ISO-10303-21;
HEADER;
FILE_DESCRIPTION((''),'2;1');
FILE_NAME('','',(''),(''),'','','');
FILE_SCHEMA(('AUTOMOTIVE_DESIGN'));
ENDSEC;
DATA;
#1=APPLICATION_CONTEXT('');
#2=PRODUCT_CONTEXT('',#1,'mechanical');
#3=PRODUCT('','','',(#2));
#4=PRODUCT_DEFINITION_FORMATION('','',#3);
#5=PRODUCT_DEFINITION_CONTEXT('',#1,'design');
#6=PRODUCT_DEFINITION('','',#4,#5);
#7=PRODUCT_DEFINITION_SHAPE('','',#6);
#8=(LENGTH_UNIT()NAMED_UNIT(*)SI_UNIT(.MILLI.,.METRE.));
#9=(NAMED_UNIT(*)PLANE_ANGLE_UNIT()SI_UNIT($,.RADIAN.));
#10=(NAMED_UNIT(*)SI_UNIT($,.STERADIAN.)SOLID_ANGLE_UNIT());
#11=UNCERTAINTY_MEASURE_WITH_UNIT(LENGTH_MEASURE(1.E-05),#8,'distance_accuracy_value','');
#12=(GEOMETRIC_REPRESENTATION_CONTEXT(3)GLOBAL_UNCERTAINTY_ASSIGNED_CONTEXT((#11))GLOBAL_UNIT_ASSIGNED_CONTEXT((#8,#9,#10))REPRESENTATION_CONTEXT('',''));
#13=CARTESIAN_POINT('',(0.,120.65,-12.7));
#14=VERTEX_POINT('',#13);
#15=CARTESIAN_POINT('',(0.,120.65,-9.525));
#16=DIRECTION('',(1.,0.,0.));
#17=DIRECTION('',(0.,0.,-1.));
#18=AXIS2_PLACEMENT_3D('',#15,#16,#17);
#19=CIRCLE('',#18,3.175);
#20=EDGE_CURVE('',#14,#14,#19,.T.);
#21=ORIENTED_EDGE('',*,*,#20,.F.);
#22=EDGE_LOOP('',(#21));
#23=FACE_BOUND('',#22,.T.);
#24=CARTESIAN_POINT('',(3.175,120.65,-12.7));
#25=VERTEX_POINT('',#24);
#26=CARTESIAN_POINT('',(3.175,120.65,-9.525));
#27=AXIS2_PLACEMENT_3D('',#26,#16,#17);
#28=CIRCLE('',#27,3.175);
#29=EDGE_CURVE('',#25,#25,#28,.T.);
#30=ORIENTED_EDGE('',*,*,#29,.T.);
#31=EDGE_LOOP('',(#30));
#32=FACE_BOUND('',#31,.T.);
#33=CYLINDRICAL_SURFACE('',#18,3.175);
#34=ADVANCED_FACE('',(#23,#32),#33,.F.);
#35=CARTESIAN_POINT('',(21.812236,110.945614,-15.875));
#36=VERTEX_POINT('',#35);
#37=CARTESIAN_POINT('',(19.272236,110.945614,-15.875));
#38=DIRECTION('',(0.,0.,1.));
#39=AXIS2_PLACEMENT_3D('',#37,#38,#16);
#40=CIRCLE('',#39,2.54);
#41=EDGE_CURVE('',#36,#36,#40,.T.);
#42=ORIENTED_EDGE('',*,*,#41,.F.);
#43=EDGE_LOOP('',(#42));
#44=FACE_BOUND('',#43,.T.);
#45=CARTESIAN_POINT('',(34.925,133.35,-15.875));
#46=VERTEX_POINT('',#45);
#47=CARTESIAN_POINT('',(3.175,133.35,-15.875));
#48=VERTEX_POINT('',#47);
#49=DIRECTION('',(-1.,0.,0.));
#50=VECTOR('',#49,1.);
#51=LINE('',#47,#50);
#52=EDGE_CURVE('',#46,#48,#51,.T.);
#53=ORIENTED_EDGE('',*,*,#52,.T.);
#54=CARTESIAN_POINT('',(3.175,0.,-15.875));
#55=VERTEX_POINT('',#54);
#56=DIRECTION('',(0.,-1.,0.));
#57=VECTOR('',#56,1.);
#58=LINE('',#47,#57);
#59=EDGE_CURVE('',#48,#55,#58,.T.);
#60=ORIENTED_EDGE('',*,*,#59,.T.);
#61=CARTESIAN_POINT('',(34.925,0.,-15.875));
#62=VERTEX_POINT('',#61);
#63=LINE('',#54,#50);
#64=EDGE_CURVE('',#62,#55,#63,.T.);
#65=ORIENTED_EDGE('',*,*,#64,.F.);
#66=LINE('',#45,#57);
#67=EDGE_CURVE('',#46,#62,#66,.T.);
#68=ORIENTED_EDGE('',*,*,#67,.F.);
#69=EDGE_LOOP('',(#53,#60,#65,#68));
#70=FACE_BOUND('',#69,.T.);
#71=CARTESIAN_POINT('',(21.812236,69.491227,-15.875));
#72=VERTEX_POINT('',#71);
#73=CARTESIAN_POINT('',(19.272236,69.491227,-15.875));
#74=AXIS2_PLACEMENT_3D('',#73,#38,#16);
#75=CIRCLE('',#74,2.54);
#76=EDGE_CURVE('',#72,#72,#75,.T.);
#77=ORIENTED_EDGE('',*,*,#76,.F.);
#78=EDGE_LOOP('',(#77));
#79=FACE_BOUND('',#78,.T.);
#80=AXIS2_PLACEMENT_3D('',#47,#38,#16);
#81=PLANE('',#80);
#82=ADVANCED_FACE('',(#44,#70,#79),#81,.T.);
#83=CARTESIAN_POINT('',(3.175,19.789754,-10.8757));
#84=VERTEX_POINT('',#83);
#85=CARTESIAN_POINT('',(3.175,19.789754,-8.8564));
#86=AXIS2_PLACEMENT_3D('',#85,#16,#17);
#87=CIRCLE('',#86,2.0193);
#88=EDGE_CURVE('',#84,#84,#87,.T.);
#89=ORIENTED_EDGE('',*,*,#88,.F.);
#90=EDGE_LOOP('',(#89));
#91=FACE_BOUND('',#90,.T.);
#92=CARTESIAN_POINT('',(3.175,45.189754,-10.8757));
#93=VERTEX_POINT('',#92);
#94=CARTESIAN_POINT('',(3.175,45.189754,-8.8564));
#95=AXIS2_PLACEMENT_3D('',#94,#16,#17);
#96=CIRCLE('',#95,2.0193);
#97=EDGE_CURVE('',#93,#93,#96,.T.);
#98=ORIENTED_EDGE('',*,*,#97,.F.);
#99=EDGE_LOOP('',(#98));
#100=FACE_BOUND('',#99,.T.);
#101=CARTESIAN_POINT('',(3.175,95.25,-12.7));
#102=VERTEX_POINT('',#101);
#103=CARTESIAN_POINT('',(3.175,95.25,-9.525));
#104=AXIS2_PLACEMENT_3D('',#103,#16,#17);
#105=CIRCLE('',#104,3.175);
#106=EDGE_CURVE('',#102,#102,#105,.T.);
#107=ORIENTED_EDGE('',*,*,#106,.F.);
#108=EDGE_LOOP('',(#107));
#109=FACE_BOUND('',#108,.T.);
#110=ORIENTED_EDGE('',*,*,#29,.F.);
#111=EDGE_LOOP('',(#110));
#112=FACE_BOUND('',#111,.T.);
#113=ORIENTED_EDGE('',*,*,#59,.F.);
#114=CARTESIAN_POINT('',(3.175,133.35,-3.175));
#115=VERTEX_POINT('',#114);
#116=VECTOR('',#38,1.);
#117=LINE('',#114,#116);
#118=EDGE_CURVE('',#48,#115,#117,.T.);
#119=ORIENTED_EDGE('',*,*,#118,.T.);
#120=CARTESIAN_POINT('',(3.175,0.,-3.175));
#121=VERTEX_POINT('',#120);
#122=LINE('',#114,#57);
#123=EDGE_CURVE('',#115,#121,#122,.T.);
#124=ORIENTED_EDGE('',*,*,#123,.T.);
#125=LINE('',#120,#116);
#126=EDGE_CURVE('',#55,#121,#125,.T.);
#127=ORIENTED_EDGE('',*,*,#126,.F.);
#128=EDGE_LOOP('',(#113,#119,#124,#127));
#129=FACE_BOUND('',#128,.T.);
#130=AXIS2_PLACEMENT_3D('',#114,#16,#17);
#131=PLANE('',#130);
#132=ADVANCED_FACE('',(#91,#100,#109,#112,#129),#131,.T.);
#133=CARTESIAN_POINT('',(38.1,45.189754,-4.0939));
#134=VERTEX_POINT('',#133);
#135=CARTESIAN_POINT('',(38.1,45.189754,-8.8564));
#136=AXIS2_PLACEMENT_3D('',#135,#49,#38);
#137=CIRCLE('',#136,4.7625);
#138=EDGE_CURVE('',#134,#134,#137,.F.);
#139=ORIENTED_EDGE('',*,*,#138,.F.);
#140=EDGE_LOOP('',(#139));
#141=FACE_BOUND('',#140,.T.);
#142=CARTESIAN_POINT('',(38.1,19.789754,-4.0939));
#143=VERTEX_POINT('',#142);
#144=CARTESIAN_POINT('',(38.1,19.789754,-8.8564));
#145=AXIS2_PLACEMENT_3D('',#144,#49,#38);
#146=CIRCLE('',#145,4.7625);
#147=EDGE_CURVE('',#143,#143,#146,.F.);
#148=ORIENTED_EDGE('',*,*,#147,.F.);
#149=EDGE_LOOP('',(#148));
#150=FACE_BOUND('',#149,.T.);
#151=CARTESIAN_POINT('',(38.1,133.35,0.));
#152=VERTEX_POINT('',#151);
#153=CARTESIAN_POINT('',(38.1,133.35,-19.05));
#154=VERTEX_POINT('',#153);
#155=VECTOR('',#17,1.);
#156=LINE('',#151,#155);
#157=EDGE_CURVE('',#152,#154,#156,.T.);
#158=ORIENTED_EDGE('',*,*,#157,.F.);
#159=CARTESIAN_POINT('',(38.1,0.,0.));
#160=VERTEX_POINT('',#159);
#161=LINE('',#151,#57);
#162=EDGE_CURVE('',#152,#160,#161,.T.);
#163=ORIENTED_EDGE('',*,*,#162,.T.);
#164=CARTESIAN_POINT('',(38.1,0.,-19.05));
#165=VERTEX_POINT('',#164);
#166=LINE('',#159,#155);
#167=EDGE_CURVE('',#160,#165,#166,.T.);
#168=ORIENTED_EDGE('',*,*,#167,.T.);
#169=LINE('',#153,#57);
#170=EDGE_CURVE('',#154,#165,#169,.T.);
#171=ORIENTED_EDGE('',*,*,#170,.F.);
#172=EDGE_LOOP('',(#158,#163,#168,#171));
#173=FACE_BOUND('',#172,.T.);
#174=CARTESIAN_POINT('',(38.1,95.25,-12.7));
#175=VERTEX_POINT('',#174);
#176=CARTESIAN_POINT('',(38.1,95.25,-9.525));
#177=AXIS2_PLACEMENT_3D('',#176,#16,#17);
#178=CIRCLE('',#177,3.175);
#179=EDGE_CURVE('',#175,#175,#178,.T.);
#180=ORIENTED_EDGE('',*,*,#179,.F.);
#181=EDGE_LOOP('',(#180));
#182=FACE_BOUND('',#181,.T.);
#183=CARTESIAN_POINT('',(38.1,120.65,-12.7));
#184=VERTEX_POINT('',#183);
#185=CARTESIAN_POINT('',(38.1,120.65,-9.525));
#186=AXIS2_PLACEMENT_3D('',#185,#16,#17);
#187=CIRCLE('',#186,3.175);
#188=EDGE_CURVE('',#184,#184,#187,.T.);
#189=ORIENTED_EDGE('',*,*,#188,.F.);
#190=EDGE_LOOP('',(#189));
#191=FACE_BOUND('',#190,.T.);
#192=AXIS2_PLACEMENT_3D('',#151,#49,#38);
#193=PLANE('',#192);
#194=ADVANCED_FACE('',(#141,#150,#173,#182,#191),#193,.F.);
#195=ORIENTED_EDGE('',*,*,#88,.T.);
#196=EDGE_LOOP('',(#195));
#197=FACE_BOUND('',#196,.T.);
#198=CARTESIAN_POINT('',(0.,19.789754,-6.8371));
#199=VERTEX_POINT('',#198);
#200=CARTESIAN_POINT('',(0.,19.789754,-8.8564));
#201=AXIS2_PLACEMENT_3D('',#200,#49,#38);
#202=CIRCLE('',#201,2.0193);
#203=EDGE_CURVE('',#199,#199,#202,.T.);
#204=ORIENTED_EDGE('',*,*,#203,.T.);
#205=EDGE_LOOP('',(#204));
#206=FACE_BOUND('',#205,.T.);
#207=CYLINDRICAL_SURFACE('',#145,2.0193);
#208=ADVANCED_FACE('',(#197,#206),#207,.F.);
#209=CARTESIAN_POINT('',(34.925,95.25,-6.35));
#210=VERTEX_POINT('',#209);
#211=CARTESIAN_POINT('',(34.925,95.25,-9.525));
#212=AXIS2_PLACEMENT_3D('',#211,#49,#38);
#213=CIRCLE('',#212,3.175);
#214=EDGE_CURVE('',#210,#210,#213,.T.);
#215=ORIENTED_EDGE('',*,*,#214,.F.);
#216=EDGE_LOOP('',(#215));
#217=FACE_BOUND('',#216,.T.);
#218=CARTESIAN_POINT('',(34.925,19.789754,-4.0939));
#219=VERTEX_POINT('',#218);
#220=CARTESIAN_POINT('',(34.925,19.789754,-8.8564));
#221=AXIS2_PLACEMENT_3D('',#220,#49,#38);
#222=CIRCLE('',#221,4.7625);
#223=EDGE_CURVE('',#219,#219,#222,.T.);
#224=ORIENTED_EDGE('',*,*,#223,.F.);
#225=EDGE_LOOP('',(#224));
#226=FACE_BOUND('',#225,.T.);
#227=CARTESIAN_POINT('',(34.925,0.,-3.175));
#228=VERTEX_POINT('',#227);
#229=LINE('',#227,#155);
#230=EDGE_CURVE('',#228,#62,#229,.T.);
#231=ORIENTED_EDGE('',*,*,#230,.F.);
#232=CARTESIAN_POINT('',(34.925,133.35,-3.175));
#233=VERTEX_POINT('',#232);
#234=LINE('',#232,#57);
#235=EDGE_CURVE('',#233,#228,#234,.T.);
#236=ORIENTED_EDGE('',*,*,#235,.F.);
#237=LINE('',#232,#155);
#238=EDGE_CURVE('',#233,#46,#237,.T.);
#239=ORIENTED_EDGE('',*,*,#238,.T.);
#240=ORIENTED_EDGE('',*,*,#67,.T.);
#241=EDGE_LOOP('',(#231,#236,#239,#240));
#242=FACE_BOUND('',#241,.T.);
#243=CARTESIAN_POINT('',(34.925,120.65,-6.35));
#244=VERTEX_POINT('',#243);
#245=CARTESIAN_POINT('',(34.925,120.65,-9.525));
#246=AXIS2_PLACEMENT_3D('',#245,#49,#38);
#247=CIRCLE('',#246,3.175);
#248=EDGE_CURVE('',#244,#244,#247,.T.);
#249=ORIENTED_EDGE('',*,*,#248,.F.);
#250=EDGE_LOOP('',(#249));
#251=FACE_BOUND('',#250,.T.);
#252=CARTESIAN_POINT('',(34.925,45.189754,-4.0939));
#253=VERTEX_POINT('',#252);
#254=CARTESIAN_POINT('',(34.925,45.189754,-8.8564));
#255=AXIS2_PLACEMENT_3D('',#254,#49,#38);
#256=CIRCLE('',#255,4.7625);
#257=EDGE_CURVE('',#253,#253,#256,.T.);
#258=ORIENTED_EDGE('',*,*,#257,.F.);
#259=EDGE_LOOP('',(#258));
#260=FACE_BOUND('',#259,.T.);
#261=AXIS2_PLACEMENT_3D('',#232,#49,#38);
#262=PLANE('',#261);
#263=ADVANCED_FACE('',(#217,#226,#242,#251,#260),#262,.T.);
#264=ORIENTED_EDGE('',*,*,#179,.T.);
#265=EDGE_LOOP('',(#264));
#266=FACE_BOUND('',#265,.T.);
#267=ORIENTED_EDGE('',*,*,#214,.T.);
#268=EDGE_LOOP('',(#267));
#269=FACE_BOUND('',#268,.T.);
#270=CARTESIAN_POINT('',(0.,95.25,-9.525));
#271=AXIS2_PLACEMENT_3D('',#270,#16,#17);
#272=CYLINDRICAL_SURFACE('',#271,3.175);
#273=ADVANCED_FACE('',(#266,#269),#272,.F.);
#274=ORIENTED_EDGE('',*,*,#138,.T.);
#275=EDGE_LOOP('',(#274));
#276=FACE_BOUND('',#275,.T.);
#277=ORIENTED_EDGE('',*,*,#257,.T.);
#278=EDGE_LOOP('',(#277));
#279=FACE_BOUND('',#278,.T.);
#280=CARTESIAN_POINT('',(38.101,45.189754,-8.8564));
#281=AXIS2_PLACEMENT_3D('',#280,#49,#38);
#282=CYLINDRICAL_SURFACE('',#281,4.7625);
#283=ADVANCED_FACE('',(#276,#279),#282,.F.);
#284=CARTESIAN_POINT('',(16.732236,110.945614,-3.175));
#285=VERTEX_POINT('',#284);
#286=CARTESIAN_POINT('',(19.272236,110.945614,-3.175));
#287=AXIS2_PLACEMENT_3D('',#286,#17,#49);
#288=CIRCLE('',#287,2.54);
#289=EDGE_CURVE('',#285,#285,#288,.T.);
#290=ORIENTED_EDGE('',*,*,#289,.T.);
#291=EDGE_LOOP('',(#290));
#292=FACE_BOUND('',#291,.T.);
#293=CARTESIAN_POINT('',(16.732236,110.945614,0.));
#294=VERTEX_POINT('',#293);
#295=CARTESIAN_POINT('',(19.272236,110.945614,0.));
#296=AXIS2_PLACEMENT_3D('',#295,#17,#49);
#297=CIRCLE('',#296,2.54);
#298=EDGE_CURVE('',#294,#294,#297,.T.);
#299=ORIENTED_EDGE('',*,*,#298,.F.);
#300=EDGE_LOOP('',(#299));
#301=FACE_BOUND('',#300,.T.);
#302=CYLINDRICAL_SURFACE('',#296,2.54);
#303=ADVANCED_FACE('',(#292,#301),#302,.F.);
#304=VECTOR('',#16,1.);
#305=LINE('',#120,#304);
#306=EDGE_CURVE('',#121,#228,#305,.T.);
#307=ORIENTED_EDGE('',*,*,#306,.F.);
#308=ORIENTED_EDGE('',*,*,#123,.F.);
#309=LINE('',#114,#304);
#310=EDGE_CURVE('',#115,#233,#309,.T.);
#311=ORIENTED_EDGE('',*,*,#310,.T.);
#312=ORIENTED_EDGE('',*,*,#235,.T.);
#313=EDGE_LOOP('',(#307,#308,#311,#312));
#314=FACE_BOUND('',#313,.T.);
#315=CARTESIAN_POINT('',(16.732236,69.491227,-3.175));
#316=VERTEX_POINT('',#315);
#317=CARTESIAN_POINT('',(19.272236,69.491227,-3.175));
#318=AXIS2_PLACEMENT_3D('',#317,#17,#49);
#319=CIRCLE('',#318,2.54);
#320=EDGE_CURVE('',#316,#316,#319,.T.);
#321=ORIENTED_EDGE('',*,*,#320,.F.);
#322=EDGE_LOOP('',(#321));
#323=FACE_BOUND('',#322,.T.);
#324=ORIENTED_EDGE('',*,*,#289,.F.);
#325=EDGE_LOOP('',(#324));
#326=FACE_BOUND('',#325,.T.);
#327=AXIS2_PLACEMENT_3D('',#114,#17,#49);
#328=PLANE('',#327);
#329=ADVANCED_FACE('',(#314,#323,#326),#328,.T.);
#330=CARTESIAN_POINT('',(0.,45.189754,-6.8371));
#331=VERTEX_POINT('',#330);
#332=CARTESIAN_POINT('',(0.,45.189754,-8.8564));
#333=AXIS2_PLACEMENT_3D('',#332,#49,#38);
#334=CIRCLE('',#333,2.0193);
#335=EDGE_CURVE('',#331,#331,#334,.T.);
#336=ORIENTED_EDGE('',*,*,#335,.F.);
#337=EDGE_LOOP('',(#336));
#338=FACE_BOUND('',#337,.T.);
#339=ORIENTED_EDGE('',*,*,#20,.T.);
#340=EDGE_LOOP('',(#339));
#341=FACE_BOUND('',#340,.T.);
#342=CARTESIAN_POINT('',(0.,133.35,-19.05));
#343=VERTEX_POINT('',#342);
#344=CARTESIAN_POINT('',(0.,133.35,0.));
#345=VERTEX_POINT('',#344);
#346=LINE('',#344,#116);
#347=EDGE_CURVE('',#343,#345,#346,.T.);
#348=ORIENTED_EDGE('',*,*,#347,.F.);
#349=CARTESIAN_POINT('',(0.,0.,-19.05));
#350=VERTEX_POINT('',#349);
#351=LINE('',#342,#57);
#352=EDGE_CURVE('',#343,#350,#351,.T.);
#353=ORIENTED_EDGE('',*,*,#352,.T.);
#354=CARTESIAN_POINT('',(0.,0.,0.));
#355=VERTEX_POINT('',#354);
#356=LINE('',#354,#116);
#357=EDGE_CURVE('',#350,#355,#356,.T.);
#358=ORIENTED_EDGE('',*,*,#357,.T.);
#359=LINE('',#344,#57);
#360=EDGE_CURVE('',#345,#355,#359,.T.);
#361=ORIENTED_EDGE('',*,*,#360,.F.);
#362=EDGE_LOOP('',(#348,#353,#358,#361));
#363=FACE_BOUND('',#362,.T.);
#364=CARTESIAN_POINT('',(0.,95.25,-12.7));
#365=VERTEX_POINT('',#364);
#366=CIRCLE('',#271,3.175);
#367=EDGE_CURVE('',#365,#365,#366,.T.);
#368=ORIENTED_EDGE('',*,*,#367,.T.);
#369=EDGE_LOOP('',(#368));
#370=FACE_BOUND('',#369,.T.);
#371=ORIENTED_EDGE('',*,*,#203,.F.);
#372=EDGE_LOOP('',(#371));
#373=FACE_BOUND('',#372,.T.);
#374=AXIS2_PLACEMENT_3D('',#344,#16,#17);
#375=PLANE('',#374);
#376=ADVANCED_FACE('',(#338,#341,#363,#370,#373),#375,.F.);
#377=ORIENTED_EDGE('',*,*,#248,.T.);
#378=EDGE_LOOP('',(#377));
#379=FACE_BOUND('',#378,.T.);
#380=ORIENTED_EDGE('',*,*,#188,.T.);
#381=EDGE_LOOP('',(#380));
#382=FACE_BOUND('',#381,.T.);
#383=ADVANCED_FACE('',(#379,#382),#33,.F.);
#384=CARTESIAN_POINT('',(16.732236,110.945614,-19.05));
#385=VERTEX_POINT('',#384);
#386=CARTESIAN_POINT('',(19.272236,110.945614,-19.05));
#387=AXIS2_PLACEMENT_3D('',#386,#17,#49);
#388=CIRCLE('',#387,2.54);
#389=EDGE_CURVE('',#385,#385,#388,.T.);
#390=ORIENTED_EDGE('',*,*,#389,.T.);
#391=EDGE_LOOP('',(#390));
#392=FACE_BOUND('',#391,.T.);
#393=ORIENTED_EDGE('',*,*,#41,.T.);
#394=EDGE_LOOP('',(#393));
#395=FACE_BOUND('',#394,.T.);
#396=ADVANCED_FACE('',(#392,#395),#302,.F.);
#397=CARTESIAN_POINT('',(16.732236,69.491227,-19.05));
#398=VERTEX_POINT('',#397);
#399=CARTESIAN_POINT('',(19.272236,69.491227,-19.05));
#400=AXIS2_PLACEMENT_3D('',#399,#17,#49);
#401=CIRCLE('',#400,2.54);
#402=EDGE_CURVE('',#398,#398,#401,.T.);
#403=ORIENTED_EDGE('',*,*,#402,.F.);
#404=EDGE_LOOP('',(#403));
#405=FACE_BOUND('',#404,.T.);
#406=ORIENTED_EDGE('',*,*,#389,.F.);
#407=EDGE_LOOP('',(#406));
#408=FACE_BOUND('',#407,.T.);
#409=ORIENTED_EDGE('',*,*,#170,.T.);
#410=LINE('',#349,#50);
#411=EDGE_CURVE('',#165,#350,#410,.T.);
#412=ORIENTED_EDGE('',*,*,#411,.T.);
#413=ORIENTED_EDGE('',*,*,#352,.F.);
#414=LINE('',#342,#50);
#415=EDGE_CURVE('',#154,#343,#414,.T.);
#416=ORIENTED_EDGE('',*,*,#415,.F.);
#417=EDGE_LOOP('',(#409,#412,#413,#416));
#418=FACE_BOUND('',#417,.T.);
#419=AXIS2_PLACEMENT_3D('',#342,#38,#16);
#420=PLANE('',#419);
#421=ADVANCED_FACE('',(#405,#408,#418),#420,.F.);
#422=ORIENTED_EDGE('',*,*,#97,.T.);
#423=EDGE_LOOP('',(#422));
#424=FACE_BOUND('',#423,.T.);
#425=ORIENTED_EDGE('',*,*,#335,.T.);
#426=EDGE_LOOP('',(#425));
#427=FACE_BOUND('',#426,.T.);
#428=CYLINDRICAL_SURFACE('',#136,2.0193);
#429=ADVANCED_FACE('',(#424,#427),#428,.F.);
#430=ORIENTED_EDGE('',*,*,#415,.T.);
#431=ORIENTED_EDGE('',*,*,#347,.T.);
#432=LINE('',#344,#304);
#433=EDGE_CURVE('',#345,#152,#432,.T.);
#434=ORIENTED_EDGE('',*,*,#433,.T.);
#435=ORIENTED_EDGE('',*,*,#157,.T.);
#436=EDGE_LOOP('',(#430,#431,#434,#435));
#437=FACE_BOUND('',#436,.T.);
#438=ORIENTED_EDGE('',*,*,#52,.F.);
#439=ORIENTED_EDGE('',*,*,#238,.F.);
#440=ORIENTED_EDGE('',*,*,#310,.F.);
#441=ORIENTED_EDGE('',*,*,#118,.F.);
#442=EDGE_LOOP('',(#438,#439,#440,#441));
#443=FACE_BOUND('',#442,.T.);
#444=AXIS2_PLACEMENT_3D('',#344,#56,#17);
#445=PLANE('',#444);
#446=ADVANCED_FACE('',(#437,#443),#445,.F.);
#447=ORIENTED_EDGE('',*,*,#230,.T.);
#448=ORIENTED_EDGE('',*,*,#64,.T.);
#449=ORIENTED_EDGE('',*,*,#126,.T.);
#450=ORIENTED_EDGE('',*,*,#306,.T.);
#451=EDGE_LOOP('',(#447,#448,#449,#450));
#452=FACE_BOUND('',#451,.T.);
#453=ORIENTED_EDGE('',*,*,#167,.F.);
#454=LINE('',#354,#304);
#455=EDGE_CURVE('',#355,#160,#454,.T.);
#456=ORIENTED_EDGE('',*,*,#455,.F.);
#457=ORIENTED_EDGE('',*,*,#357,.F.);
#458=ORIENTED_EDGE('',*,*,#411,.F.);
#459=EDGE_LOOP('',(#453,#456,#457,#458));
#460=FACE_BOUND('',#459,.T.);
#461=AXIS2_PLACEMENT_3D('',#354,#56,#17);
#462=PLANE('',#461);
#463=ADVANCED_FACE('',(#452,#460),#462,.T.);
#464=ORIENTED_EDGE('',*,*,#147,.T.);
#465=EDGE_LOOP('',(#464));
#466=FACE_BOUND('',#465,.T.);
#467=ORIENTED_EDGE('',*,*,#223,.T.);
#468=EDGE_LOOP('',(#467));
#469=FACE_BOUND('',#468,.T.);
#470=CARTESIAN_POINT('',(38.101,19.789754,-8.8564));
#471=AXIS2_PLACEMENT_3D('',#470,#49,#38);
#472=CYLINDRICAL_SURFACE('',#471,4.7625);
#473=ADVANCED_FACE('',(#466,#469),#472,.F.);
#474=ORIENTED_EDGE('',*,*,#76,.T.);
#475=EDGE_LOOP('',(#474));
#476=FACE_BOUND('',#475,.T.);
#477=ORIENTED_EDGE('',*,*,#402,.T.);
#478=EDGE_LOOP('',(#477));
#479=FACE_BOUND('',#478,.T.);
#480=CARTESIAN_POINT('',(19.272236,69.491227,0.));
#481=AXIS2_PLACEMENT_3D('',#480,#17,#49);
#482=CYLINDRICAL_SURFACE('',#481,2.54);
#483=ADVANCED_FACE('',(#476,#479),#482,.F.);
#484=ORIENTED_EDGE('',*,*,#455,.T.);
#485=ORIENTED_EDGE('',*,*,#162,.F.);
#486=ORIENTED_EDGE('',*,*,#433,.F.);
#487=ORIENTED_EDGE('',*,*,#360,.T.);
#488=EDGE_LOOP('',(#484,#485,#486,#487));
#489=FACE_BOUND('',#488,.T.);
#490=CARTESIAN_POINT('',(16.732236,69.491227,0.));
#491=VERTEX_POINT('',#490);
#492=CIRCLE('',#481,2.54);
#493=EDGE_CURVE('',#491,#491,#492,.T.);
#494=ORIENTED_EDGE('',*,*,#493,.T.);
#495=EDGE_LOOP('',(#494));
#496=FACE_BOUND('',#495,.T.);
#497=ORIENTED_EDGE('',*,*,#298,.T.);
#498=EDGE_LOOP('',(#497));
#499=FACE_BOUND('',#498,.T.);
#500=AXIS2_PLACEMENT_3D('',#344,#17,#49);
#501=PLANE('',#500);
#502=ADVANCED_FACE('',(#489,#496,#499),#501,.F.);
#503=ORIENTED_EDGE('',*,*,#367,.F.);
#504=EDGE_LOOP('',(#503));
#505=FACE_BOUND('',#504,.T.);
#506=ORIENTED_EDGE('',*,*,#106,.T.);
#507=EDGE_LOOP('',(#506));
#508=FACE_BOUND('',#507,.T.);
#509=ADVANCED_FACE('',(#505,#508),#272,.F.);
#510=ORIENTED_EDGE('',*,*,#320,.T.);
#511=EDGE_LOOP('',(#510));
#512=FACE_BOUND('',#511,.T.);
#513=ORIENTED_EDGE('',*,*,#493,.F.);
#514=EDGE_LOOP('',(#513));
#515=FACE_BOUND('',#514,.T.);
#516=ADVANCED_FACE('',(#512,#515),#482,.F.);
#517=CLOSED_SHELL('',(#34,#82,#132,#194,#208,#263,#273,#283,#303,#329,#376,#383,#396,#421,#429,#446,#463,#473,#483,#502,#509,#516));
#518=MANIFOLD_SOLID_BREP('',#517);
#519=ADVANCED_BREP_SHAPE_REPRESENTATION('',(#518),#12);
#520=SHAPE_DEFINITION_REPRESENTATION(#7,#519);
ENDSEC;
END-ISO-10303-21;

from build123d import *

# Parameters (mm, degrees)
SKETCH1_W           = 38.1
SKETCH1_H           = 19.05
SKETCH1_W_2         = 31.75
SKETCH1_H_2         = 12.7
BOSS_EXTRUDE1_DEPTH = 133.35
SKETCH2_R           = 3.175
CUT_EXTRUDE1_DEPTH  = 39.1
SKETCH3_R           = 2.0193
CUT_EXTRUDE2_DEPTH  = 39.1
CUT_EXTRUDE3_REACH  = 5.175
SKETCH4_R           = 4.7625
SKETCH5_R           = 2.54
CUT_EXTRUDE4_DEPTH  = 20.05


with BuildPart() as part:
    # Sketch1 → Boss-Extrude1 (new body)
    with BuildSketch(Plane(origin=(0, 0, 0), x_dir=(1, 0, 0), z_dir=(0, 1, 0))):
        with Locations((19.05, 9.525)):
            Rectangle(SKETCH1_W, SKETCH1_H)
        with Locations((19.05, 9.525)):
            Rectangle(SKETCH1_W_2, SKETCH1_H_2, mode=Mode.SUBTRACT)
    extrude(amount=BOSS_EXTRUDE1_DEPTH)

    # Sketch2 → Cut-Extrude1 (cut, through all)
    with BuildSketch(Plane(origin=(38.1, 0, 0), x_dir=(0, 0, -1), z_dir=(1, 0, 0))):
        with Locations((9.525, 95.25)):
            Circle(SKETCH2_R)
        with Locations((9.525, 120.65)):
            Circle(SKETCH2_R)
    extrude(amount=-CUT_EXTRUDE1_DEPTH, mode=Mode.SUBTRACT)

    # Sketch3 → Cut-Extrude2 (cut, through all)
    with BuildSketch(Plane.ZY):
        with Locations((-8.8564, 19.789753907)):
            Circle(SKETCH3_R)
        with Locations((-8.8564, 45.189753907)):
            Circle(SKETCH3_R)
    extrude(amount=-CUT_EXTRUDE2_DEPTH, mode=Mode.SUBTRACT)

    # Sketch4 → Cut-Extrude3 (cut, up to next)
    with BuildSketch(Plane.ZY.offset(-34.925), mode=Mode.PRIVATE) as cut_extrude3_sk1:
        with Locations((-8.8564, 45.189753907)):
            Circle(SKETCH4_R)
    cut_extrude3_tool1 = extrude(cut_extrude3_sk1.sketch, amount=-CUT_EXTRUDE3_REACH, mode=Mode.PRIVATE) & part.part
    add(cut_extrude3_tool1.solids().sort_by_distance((34.925, 45.189754, -8.8564))[0], mode=Mode.SUBTRACT)
    # Sketch4 → Cut-Extrude3 (cut, up to next)
    with BuildSketch(Plane.ZY.offset(-34.925), mode=Mode.PRIVATE) as cut_extrude3_sk2:
        with Locations((-8.8564, 19.789753907)):
            Circle(SKETCH4_R)
    cut_extrude3_tool2 = extrude(cut_extrude3_sk2.sketch, amount=-CUT_EXTRUDE3_REACH, mode=Mode.PRIVATE) & part.part
    add(cut_extrude3_tool2.solids().sort_by_distance((34.925, 19.789754, -8.8564))[0], mode=Mode.SUBTRACT)

    # Sketch5 → Cut-Extrude4 (cut, through all)
    with BuildSketch(Plane(origin=(0, 0, -19.05), x_dir=(-1, 0, 0), z_dir=(0, 0, -1))):
        with Locations((-19.272235529, 69.491227214)):
            Circle(SKETCH5_R)
        with Locations((-19.272235529, 110.945613607)):
            Circle(SKETCH5_R)
    extrude(amount=-CUT_EXTRUDE4_DEPTH, mode=Mode.SUBTRACT)


solid = part.part
